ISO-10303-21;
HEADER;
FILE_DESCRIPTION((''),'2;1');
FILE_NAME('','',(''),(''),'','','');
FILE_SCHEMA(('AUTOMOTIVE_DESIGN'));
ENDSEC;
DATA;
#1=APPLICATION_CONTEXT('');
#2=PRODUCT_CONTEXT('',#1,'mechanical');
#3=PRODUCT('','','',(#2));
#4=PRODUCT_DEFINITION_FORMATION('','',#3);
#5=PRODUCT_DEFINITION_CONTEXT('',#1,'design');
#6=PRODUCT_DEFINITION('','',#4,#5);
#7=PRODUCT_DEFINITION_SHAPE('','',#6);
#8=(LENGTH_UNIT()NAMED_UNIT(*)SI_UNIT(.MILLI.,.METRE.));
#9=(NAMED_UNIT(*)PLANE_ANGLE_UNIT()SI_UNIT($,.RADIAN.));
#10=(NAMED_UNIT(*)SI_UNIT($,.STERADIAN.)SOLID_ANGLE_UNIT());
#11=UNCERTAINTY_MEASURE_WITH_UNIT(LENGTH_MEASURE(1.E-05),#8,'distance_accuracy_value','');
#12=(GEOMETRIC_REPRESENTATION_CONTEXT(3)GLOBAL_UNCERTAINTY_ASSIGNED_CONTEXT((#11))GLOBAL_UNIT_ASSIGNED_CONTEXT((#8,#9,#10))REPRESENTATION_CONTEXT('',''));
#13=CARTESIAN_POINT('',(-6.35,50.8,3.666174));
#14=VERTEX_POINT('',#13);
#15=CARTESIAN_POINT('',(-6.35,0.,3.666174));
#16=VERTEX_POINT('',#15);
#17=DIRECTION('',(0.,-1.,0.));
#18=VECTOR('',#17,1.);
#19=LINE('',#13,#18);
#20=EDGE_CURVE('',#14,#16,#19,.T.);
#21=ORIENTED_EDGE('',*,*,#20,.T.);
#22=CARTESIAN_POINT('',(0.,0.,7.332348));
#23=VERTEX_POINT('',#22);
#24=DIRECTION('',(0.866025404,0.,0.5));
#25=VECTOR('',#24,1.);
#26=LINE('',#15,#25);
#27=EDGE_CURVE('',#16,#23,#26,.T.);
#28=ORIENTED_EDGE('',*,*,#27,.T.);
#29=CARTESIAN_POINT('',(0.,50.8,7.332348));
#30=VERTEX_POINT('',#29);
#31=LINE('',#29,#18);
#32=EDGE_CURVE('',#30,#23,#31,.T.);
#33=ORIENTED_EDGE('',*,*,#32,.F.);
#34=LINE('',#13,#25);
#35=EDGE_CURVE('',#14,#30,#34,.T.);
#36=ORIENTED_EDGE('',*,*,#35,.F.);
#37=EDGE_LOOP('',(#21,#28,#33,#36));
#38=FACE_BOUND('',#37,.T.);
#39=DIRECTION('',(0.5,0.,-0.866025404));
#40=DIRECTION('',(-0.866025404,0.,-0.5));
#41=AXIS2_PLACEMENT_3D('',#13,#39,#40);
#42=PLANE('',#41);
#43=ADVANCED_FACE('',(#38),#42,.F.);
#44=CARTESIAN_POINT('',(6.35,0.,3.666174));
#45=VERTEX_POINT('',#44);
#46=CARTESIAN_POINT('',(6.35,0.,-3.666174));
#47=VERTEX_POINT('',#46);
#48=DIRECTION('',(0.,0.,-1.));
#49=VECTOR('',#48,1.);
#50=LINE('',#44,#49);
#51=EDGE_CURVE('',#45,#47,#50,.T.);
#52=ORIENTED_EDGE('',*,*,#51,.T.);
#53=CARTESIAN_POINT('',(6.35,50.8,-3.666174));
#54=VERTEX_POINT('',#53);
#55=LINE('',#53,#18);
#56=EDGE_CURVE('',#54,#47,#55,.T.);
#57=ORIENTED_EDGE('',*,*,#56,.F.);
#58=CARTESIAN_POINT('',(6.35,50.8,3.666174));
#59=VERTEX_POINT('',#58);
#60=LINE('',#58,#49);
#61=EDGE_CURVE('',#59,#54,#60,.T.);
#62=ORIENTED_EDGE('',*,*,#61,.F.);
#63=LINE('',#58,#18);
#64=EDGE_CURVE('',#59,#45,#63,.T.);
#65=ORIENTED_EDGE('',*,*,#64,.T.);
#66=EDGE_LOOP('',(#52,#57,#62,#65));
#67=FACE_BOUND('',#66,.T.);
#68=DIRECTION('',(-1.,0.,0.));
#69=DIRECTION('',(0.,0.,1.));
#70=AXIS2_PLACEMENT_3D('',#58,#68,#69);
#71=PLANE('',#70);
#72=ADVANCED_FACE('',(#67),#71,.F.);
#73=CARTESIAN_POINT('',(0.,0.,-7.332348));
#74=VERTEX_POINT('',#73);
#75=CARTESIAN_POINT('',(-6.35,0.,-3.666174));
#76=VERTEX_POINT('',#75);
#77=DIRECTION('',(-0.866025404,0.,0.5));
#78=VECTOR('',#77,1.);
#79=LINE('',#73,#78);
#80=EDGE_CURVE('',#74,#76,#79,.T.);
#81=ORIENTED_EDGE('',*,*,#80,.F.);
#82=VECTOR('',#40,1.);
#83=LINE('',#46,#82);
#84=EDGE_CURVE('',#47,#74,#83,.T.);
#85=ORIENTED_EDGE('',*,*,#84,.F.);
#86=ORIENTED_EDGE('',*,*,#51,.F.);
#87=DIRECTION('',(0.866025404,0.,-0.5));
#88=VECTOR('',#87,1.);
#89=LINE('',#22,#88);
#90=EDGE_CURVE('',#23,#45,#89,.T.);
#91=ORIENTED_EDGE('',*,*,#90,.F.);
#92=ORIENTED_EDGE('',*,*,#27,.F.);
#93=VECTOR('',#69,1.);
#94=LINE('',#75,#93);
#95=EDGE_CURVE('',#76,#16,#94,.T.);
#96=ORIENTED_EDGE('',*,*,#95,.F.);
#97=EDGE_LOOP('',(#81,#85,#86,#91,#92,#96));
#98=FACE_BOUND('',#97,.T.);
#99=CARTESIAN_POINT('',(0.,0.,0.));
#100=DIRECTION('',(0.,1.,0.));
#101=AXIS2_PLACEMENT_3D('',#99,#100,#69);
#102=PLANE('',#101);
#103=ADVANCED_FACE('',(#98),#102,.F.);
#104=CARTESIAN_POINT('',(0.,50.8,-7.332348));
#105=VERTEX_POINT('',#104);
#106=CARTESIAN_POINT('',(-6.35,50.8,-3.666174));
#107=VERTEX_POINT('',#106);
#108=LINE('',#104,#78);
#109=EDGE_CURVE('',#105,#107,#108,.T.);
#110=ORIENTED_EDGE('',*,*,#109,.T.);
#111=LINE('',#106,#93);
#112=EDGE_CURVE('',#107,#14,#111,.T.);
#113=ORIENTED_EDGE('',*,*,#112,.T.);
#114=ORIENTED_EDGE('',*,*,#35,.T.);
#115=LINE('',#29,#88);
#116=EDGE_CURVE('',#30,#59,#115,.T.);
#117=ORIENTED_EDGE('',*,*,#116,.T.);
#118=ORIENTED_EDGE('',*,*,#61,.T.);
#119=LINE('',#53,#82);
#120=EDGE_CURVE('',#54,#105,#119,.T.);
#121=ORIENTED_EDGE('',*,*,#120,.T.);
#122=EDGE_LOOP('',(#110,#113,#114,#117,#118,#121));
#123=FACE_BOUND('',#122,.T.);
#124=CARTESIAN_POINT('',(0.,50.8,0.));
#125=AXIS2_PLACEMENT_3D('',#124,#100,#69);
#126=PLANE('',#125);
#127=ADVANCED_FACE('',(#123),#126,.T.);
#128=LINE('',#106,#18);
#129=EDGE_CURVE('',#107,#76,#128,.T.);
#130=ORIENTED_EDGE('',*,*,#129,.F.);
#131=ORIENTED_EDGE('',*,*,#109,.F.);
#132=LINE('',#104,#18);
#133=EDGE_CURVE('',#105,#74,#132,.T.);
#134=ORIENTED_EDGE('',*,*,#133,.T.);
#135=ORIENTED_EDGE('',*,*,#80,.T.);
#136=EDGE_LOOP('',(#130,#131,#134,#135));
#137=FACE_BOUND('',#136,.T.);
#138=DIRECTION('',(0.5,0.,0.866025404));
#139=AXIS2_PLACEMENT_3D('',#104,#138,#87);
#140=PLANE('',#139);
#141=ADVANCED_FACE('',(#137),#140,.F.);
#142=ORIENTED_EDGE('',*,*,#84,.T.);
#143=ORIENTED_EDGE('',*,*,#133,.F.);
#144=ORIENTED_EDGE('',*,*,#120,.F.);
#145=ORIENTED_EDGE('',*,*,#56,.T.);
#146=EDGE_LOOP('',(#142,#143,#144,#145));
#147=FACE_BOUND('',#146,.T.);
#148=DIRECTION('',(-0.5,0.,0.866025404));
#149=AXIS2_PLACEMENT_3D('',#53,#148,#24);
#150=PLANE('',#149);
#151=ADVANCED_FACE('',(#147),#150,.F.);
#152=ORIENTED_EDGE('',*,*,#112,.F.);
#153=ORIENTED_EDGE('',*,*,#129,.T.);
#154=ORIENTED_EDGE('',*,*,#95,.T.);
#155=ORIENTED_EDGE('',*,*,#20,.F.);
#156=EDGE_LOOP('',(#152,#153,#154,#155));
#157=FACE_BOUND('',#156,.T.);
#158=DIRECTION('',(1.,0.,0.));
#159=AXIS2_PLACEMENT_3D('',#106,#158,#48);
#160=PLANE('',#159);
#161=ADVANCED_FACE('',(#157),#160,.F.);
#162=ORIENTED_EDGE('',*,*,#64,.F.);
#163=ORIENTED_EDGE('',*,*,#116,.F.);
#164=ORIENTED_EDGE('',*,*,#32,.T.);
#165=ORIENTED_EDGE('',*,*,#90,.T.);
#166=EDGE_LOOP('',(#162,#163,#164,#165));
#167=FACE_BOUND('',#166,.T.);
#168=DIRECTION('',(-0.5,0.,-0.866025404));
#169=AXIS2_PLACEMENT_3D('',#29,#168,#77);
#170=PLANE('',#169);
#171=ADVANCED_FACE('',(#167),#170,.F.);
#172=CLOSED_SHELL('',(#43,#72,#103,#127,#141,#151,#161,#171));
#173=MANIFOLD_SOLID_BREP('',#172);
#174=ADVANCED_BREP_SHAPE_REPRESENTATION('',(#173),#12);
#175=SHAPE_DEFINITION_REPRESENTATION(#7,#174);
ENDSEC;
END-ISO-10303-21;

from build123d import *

# Parameters (mm, degrees)
BOSS_EXTRUDE1_DEPTH = 50.8


with BuildPart() as part:
    # Sketch1 → Boss-Extrude1 (new body)
    with BuildSketch(Plane(origin=(0, 0, 0), x_dir=(1, 0, 0), z_dir=(0, 1, 0))):
        Polygon((0, 7.332348419), (-6.35, 3.666174209), (-6.35, -3.666174209), (0, -7.332348419), (6.35, -3.666174209), (6.35, 3.666174209), align=None)
    extrude(amount=BOSS_EXTRUDE1_DEPTH)


solid = part.part
